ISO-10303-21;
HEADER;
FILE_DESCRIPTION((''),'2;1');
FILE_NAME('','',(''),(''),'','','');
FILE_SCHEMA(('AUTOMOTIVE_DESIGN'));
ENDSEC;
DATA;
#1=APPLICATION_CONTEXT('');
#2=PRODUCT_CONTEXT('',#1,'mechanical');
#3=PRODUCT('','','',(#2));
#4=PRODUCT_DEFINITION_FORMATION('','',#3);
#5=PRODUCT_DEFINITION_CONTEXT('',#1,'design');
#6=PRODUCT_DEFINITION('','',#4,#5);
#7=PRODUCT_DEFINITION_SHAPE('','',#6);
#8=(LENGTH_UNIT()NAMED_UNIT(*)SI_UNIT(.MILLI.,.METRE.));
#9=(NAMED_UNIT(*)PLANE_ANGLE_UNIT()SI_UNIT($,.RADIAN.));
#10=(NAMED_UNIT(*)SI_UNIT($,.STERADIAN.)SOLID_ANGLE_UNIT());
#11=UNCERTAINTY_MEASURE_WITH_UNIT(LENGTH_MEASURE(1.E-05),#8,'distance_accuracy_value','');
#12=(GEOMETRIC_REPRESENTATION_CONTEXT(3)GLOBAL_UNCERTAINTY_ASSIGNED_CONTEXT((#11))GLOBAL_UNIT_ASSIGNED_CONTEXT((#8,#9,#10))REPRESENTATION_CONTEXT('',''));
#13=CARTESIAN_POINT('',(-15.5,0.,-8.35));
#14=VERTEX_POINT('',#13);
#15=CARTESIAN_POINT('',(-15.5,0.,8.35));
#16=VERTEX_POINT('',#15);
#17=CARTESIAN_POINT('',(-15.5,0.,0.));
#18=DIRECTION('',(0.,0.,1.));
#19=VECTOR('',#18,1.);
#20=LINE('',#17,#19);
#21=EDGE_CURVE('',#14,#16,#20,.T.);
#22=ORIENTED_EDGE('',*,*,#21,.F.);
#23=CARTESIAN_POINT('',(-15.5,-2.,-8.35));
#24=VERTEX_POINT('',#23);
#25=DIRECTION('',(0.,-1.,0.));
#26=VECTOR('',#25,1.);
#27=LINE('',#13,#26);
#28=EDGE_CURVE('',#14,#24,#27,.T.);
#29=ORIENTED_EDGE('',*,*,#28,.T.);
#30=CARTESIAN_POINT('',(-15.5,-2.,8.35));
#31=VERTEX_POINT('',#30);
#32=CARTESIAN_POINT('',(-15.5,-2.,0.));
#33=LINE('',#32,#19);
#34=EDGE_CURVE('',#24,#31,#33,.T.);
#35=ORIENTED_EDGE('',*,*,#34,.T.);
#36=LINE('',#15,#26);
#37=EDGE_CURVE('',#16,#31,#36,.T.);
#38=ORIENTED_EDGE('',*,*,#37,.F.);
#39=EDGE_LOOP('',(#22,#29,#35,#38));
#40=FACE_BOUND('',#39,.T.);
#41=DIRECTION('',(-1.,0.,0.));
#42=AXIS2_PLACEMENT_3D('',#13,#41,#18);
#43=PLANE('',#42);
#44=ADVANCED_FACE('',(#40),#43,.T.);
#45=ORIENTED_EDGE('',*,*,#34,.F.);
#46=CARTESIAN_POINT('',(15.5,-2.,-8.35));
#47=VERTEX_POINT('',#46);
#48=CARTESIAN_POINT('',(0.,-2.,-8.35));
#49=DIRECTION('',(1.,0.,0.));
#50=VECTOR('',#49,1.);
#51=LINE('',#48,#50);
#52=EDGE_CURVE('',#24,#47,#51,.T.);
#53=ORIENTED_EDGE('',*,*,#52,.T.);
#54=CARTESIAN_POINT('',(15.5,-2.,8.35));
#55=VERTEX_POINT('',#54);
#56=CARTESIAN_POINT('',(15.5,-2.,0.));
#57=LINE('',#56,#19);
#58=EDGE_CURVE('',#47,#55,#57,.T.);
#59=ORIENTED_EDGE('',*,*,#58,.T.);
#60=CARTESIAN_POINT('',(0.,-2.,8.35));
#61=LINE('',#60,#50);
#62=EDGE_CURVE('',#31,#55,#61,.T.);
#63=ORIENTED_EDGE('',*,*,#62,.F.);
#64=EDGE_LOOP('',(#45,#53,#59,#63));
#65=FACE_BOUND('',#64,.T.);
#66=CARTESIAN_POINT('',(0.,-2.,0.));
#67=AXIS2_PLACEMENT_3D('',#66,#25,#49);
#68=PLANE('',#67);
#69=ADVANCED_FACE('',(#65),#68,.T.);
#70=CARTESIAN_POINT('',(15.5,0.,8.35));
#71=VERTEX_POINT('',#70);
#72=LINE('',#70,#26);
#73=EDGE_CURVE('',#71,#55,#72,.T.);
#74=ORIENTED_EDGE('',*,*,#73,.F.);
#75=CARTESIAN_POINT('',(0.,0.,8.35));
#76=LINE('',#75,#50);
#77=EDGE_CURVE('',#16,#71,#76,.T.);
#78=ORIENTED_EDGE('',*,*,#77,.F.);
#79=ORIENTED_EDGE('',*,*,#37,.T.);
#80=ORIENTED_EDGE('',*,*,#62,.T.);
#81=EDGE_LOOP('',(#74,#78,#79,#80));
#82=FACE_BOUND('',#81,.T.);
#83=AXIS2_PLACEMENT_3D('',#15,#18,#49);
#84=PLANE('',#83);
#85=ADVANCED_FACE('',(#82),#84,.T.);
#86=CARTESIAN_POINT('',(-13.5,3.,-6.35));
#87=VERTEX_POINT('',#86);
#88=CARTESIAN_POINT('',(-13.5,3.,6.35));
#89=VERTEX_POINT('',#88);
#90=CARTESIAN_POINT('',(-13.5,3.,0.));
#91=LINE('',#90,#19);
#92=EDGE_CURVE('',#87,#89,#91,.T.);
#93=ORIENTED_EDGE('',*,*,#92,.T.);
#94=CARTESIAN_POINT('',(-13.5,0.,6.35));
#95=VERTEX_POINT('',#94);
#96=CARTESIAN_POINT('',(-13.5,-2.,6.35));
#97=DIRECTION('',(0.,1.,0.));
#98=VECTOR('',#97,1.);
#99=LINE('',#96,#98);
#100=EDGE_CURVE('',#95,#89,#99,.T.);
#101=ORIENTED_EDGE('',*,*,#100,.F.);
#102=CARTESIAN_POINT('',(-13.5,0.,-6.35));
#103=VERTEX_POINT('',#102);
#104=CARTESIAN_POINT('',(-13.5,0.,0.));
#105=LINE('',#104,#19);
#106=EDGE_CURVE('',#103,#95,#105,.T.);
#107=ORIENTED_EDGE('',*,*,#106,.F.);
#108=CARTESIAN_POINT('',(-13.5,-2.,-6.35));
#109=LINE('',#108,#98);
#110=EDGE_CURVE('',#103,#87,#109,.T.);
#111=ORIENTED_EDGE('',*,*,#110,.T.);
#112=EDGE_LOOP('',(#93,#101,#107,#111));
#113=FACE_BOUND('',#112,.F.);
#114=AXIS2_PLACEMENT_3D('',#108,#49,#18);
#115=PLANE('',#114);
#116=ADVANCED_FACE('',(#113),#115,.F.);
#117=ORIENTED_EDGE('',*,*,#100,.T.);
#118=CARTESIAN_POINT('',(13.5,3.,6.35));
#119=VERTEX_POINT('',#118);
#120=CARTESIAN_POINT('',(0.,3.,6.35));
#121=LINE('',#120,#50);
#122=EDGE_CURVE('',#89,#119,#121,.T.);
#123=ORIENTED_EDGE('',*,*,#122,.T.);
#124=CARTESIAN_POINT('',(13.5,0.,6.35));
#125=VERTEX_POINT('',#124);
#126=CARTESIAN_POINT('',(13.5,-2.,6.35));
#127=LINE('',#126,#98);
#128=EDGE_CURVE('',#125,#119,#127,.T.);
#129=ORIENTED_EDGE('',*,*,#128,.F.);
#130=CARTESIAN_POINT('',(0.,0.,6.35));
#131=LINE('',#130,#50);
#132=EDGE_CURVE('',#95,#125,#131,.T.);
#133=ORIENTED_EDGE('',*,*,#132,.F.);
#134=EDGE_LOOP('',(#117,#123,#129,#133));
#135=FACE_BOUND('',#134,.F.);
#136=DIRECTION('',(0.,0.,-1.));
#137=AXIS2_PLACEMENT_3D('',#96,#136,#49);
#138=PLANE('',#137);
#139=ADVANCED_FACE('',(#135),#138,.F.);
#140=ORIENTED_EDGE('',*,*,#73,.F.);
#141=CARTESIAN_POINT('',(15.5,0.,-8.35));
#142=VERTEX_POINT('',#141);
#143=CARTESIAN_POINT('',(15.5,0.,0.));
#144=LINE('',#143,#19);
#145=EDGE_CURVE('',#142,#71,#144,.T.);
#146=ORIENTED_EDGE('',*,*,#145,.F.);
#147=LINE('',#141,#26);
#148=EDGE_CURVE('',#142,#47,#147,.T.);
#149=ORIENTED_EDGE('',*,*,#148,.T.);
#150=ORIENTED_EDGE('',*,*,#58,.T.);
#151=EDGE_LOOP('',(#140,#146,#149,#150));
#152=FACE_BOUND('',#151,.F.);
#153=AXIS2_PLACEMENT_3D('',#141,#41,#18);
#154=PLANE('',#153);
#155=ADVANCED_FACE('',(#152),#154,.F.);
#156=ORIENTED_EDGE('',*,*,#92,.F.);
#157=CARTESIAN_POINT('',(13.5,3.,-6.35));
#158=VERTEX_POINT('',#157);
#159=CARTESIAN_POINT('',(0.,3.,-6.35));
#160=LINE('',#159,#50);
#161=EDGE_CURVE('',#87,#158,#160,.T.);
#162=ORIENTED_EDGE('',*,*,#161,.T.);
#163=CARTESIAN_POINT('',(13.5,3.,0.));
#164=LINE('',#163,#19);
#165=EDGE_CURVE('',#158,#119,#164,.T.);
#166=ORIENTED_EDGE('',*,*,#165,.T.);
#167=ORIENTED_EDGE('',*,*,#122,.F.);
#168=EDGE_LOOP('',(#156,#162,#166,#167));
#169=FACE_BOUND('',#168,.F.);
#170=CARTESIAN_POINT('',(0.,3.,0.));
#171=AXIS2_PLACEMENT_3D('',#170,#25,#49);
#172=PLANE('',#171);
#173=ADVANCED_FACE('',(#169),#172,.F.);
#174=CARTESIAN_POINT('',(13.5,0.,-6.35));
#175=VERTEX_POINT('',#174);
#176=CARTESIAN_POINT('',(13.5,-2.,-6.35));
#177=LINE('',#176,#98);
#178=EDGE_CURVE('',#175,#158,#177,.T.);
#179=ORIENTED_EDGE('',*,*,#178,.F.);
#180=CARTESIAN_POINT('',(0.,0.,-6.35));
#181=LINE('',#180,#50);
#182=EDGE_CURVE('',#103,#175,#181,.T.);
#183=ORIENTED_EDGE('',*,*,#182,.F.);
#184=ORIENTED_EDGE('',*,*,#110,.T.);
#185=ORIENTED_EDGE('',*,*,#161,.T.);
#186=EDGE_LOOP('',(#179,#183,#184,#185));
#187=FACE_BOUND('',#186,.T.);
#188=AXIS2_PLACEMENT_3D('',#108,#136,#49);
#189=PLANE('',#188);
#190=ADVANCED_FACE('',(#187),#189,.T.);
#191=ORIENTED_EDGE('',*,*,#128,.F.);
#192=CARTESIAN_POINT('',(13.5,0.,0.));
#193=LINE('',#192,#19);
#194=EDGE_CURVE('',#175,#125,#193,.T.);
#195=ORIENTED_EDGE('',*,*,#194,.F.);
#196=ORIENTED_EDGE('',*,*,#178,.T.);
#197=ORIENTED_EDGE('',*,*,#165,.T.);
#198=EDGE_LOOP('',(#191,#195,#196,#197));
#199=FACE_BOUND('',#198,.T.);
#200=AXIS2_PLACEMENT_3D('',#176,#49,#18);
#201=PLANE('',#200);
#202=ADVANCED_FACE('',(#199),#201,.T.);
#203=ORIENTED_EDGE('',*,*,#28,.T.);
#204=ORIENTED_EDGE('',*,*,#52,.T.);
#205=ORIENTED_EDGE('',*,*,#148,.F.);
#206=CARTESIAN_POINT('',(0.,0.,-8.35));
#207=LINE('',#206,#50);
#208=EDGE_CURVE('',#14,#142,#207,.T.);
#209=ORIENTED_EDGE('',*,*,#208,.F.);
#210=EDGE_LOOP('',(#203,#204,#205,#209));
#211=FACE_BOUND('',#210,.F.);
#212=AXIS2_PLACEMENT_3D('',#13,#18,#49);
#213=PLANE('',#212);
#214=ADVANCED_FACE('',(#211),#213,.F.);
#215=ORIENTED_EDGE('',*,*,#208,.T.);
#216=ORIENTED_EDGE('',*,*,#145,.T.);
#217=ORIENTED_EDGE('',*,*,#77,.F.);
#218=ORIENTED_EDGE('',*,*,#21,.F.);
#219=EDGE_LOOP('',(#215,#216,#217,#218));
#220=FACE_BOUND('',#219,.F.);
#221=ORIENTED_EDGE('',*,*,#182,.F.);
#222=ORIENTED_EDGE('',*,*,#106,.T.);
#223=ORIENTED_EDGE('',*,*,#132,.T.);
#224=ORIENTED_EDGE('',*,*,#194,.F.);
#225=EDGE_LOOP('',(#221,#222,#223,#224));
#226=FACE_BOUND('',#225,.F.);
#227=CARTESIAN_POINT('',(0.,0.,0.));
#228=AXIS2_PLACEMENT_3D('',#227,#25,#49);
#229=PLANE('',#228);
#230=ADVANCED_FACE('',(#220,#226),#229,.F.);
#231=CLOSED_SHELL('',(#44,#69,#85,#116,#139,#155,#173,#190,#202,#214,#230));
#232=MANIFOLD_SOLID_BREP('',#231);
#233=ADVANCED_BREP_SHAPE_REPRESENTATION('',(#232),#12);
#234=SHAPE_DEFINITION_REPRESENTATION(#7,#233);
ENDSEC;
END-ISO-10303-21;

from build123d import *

# Parameters (mm, degrees)
F0_W     = 31
F0_H     = 16.7
F0_W_2   = 27
F0_H_2   = 12.7
F1_DEPTH = 2
F2_W     = 27
F2_H     = 12.7
F3_DEPTH = 5


with BuildPart() as f1:
    # F0 (on Front) → F1 (new body)
    with BuildSketch(Plane.XZ):
        Rectangle(F0_W, F0_H)
        Rectangle(F0_W_2, F0_H_2, mode=Mode.SUBTRACT)
    extrude(amount=F1_DEPTH)

    # F2 (on face) → F3 (join)
    with BuildSketch(Plane.XZ.offset(2)):
        Rectangle(F2_W, F2_H)
    extrude(amount=-F3_DEPTH)


solid = f1.part
